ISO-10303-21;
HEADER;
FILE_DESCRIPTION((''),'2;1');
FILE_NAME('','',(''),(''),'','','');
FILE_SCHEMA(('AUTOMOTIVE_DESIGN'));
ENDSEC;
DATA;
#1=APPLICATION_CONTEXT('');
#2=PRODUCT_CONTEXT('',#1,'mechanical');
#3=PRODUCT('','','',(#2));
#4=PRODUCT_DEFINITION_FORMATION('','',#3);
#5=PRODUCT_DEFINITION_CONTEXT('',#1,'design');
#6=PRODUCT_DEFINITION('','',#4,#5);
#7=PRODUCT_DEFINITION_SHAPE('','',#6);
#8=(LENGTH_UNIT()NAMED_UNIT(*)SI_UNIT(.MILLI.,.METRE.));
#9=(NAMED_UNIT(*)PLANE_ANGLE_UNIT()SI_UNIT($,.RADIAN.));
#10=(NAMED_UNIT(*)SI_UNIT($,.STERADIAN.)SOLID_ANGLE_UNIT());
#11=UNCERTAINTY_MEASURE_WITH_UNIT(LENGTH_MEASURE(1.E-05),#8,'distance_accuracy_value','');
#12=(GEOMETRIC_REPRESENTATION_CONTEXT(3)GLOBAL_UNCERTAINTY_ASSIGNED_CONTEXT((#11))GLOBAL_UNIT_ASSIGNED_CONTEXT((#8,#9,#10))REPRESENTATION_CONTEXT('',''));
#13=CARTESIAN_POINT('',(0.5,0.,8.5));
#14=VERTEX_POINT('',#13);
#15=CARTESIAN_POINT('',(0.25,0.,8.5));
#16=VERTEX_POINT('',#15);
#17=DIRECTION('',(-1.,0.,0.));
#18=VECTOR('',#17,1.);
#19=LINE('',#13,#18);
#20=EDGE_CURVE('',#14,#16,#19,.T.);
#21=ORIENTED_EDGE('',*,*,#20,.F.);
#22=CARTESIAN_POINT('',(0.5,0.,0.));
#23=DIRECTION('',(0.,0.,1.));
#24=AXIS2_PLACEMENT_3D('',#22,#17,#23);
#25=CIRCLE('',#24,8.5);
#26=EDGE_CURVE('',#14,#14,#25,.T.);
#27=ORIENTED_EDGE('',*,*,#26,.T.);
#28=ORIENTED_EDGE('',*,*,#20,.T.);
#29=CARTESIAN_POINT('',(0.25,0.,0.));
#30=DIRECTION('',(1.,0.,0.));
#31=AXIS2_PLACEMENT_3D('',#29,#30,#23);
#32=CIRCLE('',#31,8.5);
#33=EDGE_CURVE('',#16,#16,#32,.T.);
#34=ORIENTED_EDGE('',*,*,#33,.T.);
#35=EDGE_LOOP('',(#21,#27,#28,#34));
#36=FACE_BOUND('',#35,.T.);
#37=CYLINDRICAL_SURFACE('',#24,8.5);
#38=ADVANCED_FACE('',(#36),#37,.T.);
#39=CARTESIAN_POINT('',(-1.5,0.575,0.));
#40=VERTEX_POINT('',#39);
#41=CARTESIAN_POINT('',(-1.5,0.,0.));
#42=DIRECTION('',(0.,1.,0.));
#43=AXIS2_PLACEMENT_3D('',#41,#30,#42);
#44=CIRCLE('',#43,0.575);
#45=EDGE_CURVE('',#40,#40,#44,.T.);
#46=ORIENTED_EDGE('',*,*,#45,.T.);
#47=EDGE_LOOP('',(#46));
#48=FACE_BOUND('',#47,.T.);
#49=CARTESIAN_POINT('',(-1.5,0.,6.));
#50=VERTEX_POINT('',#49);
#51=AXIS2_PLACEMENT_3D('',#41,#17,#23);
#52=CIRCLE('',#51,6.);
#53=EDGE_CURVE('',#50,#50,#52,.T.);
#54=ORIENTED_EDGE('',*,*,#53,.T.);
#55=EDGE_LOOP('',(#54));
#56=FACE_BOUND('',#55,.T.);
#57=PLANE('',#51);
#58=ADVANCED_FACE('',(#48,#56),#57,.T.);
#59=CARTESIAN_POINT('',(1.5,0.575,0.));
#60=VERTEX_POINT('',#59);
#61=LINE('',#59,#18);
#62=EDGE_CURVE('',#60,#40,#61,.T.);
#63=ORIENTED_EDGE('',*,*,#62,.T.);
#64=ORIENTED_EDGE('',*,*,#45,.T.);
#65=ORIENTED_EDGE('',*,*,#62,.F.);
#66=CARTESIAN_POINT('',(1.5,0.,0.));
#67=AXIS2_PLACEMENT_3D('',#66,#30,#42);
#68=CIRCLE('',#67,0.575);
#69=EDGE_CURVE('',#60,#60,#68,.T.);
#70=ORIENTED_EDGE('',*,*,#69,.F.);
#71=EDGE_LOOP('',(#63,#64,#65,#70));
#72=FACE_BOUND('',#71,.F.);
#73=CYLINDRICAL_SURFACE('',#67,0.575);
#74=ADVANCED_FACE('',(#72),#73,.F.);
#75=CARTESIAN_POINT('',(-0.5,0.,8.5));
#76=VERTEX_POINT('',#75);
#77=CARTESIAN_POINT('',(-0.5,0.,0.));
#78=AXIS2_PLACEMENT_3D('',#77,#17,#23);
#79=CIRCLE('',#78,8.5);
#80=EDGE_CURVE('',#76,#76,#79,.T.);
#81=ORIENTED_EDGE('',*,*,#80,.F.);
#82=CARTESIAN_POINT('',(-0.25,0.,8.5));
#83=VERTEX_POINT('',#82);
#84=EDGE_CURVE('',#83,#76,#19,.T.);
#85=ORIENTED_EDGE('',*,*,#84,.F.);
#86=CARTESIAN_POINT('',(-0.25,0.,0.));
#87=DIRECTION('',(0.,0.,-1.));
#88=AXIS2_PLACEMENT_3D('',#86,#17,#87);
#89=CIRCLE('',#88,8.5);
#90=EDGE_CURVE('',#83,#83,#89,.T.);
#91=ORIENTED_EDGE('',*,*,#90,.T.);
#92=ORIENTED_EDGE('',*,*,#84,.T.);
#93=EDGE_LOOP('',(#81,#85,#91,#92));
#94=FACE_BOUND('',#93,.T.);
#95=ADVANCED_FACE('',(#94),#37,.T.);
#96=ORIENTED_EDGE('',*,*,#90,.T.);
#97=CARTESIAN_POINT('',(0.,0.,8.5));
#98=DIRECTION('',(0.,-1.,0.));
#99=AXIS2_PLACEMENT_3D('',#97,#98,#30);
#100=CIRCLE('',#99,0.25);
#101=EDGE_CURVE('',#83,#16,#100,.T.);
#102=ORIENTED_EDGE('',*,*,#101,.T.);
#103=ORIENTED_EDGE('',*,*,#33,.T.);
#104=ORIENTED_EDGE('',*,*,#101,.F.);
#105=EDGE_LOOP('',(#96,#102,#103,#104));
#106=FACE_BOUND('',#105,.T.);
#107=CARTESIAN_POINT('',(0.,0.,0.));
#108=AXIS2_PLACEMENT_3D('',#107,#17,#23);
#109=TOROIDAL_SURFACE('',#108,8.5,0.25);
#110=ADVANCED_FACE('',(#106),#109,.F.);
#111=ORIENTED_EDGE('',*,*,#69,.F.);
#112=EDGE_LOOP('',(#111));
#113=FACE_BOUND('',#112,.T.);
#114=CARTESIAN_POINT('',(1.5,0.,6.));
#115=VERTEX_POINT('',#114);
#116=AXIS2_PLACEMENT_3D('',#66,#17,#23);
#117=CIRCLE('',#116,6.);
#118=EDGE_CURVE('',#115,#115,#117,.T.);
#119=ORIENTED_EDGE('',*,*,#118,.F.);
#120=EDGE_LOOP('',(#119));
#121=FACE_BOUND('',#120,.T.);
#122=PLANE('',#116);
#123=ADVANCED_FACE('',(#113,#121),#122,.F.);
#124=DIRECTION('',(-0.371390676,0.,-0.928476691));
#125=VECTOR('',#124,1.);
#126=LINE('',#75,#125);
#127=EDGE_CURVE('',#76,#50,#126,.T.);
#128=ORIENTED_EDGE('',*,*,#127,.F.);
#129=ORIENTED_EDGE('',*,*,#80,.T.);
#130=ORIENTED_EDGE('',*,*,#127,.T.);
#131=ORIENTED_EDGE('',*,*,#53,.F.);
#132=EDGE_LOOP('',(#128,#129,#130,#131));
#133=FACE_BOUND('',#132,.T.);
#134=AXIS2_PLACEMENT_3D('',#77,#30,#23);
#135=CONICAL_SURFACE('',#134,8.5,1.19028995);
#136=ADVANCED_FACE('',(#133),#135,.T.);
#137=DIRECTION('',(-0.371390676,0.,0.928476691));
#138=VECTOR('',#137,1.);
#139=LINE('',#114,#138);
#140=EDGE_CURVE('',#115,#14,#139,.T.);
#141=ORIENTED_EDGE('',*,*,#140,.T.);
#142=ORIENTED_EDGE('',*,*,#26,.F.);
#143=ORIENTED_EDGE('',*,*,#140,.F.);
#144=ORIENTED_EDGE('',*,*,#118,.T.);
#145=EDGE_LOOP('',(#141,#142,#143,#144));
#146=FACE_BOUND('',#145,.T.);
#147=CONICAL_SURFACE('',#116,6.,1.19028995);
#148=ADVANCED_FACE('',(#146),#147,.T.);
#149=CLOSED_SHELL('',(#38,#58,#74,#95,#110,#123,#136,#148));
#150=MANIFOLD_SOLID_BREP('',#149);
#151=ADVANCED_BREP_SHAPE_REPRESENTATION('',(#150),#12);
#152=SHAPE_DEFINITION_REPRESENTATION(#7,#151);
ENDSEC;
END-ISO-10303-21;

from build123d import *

# Parameters (mm, degrees)
F2_R     = 0.25
F4_R     = 0.575
F5_DEPTH = 3


with BuildPart() as f1:
    # F0 (on Front) → F1 (revolve)
    with BuildSketch(Plane.XZ):
        Polygon((-1.5, 0), (1.5, 0), (1.5, 6), (0.5, 8.5), (-0.5, 8.5), (-1.5, 6), align=None)
    revolve(axis=Axis((0, 0, 0), (-1, 0, 0)))

    # F2 (on Front) → F3 (revolve, cut)
    with BuildSketch(Plane.XZ):
        with Locations((0, 8.5)):
            Circle(F2_R)
    revolve(axis=Axis((0.73948, 0, 0), (1, 0, 0)), mode=Mode.SUBTRACT)

    # F4 (on face) → F5 (cut, through all)
    with BuildSketch(Plane.YZ.offset(1.5)):
        Circle(F4_R)
    extrude(amount=-F5_DEPTH, mode=Mode.SUBTRACT)


solid = f1.part
